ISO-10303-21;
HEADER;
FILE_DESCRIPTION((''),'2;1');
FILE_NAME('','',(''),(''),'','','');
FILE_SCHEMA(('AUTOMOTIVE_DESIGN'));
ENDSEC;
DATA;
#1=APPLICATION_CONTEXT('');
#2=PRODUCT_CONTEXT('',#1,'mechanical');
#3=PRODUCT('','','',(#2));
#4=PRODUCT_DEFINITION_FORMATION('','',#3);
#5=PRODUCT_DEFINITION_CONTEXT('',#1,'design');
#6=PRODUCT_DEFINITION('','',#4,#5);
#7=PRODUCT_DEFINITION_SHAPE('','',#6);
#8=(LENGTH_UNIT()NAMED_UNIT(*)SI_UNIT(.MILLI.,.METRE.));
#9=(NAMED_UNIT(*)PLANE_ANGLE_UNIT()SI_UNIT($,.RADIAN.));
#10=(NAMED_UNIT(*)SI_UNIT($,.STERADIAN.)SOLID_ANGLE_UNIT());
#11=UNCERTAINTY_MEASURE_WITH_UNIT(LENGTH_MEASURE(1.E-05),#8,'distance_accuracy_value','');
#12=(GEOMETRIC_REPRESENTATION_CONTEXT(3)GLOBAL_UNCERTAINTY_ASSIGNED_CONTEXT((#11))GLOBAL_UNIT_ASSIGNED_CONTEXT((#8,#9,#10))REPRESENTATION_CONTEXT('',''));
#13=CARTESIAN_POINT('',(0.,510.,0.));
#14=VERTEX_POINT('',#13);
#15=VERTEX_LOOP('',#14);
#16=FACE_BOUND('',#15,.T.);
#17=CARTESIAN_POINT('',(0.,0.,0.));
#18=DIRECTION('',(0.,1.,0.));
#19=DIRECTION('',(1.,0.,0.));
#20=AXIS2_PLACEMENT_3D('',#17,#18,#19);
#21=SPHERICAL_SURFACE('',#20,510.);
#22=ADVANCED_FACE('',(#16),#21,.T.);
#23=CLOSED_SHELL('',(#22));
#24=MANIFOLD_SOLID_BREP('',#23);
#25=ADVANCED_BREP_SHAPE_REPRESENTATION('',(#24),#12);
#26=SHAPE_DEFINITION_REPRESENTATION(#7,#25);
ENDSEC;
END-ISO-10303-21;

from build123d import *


with BuildPart() as part:
    # Sketch1 → Revolve1 (revolve)
    with BuildSketch(Plane.XY):
        with BuildLine():
            Line((0, 510), (0, -510))
            ThreePointArc((0, -510), (510, 0), (0, 510))
        make_face()
    revolve(axis=Axis((0, 510, 0), (0, -1, 0)))


solid = part.part
